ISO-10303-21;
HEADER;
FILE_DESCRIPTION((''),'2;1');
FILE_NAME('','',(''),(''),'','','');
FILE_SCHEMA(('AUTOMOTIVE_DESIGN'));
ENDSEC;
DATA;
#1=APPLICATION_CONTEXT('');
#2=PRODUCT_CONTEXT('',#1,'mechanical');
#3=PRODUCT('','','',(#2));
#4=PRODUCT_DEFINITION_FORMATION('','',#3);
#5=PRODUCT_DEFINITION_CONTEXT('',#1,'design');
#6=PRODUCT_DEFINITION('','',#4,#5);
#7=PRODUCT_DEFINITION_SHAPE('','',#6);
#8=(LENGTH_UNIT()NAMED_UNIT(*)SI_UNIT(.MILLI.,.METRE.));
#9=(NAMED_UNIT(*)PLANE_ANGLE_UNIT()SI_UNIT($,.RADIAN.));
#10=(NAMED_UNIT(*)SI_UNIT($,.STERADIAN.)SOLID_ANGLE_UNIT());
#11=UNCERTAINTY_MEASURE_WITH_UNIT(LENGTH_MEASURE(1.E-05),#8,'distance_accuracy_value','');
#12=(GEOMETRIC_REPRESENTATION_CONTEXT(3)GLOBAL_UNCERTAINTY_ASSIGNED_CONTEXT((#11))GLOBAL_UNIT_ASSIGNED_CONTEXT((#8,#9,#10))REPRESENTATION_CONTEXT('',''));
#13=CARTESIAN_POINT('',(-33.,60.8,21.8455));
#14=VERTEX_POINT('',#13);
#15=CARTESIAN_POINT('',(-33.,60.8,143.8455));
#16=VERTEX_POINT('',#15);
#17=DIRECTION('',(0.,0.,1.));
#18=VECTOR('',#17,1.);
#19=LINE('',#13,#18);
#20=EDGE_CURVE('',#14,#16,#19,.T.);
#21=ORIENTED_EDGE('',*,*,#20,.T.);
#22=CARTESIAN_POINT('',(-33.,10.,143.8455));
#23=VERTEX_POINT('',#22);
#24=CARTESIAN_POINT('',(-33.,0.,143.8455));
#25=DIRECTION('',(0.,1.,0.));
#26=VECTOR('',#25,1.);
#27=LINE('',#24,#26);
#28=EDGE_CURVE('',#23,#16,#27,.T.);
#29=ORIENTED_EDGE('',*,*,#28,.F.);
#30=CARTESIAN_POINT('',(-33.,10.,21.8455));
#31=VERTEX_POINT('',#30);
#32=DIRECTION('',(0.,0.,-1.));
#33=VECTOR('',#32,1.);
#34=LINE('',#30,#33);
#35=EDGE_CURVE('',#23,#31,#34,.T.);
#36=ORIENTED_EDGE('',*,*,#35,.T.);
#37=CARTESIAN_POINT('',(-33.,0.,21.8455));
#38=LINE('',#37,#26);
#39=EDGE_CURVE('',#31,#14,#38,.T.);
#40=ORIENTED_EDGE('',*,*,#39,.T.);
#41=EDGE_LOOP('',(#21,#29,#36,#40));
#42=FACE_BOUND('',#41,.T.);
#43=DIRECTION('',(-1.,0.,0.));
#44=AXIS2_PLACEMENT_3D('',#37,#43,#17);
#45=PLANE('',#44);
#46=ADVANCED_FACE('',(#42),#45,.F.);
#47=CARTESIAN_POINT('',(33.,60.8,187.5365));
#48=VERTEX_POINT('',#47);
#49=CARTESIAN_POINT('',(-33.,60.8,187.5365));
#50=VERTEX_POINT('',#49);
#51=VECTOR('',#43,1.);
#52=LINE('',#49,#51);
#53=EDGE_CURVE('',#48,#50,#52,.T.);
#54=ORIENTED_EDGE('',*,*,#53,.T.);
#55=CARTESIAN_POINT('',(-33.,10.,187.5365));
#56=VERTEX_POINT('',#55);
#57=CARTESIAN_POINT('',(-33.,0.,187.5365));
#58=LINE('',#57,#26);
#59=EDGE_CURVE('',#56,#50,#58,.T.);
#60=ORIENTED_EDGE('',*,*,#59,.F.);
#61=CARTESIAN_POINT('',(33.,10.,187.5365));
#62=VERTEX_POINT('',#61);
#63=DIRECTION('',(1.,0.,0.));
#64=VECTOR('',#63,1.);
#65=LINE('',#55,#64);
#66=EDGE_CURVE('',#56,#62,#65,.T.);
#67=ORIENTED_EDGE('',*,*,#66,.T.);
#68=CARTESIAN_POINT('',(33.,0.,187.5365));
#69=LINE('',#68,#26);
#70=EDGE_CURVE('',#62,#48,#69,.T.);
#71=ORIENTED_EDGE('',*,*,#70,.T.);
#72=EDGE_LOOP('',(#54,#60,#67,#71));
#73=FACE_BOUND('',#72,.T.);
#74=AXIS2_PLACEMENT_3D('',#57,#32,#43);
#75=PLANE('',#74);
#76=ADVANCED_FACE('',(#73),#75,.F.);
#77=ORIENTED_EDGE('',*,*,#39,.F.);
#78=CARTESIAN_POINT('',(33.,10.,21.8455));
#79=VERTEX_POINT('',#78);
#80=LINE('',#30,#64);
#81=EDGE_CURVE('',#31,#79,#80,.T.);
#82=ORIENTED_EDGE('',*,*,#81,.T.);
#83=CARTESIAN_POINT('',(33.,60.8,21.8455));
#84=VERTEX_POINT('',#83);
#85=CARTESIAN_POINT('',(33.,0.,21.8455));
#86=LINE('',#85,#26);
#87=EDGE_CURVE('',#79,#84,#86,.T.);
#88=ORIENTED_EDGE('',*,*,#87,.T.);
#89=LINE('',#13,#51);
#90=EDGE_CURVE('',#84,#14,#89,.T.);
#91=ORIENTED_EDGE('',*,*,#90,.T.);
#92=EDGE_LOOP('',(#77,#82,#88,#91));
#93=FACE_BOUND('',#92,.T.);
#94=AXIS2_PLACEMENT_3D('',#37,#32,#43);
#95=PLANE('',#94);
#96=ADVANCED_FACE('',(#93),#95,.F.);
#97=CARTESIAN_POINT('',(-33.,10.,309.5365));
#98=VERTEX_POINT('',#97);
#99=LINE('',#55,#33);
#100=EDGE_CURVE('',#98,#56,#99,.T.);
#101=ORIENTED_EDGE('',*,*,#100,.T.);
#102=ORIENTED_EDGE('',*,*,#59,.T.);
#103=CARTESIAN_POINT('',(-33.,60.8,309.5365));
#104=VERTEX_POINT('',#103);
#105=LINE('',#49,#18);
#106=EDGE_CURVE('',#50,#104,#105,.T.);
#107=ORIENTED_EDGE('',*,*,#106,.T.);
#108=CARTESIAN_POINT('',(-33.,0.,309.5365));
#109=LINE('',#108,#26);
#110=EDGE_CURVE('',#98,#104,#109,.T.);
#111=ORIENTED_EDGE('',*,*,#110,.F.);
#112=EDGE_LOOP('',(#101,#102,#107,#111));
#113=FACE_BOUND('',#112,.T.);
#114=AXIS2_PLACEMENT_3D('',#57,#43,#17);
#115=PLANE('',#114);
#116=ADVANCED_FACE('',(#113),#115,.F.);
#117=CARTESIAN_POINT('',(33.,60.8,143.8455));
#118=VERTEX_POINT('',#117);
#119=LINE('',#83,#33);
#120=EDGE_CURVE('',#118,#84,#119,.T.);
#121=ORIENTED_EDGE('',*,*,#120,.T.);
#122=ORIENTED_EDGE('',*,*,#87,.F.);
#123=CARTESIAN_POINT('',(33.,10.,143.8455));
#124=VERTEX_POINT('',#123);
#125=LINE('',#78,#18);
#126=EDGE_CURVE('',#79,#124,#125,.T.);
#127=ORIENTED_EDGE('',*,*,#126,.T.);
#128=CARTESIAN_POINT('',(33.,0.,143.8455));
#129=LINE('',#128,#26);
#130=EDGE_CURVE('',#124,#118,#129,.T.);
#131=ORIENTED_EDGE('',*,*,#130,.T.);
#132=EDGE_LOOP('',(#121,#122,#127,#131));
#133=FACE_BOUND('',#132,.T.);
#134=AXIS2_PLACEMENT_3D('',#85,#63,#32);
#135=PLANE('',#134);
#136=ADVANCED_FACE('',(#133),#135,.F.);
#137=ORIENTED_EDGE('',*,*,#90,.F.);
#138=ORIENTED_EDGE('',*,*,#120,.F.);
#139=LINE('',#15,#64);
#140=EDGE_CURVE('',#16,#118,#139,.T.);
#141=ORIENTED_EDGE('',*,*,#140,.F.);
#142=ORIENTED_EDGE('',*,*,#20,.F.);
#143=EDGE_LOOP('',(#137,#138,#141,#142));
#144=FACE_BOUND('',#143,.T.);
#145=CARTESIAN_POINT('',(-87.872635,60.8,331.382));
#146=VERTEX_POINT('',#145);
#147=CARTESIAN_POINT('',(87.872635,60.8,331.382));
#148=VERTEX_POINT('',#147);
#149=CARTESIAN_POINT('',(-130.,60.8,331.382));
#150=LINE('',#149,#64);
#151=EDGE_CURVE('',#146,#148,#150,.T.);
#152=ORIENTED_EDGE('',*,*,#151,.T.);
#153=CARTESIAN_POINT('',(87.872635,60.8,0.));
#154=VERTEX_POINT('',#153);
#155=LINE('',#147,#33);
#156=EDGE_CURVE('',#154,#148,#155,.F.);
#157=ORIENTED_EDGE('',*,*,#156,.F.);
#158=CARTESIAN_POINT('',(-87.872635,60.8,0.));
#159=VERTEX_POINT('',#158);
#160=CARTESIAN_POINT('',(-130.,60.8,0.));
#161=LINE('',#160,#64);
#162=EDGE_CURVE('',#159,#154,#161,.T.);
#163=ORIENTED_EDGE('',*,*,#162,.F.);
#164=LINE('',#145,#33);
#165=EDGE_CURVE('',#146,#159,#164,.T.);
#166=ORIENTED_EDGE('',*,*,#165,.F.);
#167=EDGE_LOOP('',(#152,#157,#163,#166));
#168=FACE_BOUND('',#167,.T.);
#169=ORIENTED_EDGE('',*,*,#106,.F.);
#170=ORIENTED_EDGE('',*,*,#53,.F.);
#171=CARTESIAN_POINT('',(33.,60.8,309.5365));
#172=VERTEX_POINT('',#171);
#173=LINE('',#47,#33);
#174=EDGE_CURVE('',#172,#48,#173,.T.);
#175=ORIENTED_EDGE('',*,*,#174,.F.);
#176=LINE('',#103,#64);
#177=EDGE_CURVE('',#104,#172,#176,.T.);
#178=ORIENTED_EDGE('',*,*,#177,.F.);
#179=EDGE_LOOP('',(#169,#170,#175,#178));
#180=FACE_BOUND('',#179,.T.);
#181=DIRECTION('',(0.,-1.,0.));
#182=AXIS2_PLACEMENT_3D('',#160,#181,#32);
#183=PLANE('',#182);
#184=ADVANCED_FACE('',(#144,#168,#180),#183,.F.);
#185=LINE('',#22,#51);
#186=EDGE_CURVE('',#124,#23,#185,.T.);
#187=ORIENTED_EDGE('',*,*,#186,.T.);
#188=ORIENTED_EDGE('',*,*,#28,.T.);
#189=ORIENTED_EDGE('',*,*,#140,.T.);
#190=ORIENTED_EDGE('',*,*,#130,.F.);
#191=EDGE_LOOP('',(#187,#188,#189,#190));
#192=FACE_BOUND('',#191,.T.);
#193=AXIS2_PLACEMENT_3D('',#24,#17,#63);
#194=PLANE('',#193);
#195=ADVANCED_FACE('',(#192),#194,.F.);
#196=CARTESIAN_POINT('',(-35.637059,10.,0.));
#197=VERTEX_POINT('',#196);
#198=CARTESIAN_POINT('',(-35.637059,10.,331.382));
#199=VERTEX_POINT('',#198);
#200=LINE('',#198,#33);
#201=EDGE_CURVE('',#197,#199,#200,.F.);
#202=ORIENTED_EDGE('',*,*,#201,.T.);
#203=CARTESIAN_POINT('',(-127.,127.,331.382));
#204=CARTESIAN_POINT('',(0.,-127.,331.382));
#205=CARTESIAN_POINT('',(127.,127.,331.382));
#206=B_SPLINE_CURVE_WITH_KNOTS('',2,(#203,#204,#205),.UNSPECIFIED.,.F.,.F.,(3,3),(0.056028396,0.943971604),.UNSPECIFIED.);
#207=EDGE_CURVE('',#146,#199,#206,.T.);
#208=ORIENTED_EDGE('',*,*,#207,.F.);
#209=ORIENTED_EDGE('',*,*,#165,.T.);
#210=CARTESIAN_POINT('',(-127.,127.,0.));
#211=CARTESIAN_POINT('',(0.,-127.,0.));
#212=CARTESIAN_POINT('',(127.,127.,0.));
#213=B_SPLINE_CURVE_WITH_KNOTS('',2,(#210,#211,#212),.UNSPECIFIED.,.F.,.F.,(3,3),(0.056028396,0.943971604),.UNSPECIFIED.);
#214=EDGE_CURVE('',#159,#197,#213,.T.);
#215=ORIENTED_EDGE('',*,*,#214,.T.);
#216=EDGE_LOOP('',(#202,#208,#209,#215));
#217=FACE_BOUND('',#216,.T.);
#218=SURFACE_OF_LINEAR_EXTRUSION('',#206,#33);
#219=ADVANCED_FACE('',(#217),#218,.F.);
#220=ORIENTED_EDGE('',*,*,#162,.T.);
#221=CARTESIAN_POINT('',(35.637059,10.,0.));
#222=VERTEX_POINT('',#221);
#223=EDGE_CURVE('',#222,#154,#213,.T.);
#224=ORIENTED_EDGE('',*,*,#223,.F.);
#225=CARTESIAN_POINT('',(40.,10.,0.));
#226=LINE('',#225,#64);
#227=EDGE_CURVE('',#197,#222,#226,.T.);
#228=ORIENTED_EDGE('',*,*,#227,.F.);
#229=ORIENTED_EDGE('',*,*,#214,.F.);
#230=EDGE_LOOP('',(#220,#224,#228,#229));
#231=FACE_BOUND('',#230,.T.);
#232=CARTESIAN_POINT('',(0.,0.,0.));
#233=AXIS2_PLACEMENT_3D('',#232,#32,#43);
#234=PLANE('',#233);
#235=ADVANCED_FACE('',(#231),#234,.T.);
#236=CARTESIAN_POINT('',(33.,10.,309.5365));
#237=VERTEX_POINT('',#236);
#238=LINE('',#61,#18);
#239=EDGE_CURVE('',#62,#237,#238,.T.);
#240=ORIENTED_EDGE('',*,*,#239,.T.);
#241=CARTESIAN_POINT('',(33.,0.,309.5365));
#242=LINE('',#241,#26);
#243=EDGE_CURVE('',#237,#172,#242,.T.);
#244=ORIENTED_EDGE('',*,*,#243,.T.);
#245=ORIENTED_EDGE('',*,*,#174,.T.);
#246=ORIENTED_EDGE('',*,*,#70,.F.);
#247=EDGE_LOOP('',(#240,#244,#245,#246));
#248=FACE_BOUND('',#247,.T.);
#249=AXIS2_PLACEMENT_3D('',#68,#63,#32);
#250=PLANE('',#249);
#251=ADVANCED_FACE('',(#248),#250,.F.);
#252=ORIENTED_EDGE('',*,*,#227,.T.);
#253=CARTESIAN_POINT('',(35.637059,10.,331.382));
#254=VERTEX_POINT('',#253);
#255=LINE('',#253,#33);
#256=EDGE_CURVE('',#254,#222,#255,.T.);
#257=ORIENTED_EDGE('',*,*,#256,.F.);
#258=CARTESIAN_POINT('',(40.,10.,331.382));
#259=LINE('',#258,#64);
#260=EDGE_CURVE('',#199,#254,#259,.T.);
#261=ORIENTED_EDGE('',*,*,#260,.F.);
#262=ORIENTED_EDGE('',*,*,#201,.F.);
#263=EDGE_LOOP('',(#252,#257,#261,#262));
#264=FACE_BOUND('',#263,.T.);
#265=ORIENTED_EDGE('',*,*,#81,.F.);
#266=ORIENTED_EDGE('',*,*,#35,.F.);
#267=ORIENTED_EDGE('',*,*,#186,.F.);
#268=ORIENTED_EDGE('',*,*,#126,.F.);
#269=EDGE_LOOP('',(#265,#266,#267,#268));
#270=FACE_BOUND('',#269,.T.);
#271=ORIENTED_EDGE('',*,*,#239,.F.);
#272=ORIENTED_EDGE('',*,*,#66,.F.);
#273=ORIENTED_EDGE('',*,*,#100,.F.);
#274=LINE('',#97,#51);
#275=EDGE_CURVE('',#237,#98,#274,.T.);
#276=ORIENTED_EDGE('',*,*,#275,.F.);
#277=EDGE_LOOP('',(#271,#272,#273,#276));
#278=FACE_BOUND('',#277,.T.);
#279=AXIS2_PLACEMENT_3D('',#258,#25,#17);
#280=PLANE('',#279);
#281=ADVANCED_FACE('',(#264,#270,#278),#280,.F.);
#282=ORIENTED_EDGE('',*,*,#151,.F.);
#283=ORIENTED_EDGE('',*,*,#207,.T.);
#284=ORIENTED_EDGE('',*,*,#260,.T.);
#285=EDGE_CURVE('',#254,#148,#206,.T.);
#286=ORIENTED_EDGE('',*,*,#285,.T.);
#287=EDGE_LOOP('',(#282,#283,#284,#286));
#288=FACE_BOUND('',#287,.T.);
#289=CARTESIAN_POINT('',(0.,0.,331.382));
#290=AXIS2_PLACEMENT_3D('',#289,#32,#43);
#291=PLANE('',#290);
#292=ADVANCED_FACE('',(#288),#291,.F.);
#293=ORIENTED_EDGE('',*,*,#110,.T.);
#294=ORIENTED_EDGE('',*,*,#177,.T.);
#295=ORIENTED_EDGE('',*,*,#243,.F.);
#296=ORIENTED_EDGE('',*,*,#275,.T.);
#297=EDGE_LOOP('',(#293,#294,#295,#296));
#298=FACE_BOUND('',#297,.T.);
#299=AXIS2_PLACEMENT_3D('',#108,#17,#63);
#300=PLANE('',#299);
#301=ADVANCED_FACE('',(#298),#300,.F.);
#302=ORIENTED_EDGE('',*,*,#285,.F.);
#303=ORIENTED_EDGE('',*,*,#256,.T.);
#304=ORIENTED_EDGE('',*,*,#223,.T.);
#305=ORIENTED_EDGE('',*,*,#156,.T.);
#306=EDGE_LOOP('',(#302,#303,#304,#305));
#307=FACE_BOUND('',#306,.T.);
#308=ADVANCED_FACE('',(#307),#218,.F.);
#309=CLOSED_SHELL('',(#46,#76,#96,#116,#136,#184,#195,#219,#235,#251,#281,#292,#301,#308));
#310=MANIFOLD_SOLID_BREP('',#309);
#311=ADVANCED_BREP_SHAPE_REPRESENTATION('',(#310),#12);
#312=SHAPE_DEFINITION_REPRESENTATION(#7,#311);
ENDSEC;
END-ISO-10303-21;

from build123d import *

# Parameters (mm, degrees)
BOSS_EXTRUDE2_DEPTH = 331.382
SKETCH3_W           = 66
SKETCH3_H           = 122
CUT_EXTRUDE2_DEPTH  = 128.0000001
SKETCH4_W           = 80
SKETCH4_H           = 10
CUT_EXTRUDE3_DEPTH  = 332.3820001
SKETCH5_W           = 260
SKETCH5_H           = 70
CUT_EXTRUDE4_DEPTH  = 332.3820001


with BuildPart() as part:
    # Sketch2 → Boss-Extrude2 (new body)
    with BuildSketch(Plane.XY):
        with BuildLine():
            Line((-127, 127), (127, 127))
            add(Edge.make_bspline(
                [(-127, 127), (0, -127), (127, 127)],
                knots=[0.056028396, 0.056028396, 0.056028396, 0.943971604, 0.943971604, 0.943971604], degree=2))
        make_face()
    extrude(amount=BOSS_EXTRUDE2_DEPTH)

    # Sketch3 → Cut-Extrude2 (cut, through all)
    with BuildSketch(Plane(origin=(0, 127, 0), x_dir=(1, 0, 0), z_dir=(0, 1, 0))):
        with Locations((0, -82.8455)):
            Rectangle(SKETCH3_W, SKETCH3_H)
        with Locations((0, -248.5365)):
            Rectangle(SKETCH3_W, SKETCH3_H)
    extrude(amount=-CUT_EXTRUDE2_DEPTH, mode=Mode.SUBTRACT)

    # Sketch4 → Cut-Extrude3 (cut, through all)
    with BuildSketch(Plane(origin=(0, 0, 0), x_dir=(-1, 0, 0), z_dir=(0, 0, -1))):
        with Locations((0, 5)):
            Rectangle(SKETCH4_W, SKETCH4_H)
    extrude(amount=-CUT_EXTRUDE3_DEPTH, mode=Mode.SUBTRACT)

    # Sketch5 → Cut-Extrude4 (cut, through all)
    with BuildSketch(Plane.XY.offset(331.382)):
        with Locations((0, 95.8)):
            Rectangle(SKETCH5_W, SKETCH5_H)
    extrude(amount=-CUT_EXTRUDE4_DEPTH, mode=Mode.SUBTRACT)


solid = part.part
